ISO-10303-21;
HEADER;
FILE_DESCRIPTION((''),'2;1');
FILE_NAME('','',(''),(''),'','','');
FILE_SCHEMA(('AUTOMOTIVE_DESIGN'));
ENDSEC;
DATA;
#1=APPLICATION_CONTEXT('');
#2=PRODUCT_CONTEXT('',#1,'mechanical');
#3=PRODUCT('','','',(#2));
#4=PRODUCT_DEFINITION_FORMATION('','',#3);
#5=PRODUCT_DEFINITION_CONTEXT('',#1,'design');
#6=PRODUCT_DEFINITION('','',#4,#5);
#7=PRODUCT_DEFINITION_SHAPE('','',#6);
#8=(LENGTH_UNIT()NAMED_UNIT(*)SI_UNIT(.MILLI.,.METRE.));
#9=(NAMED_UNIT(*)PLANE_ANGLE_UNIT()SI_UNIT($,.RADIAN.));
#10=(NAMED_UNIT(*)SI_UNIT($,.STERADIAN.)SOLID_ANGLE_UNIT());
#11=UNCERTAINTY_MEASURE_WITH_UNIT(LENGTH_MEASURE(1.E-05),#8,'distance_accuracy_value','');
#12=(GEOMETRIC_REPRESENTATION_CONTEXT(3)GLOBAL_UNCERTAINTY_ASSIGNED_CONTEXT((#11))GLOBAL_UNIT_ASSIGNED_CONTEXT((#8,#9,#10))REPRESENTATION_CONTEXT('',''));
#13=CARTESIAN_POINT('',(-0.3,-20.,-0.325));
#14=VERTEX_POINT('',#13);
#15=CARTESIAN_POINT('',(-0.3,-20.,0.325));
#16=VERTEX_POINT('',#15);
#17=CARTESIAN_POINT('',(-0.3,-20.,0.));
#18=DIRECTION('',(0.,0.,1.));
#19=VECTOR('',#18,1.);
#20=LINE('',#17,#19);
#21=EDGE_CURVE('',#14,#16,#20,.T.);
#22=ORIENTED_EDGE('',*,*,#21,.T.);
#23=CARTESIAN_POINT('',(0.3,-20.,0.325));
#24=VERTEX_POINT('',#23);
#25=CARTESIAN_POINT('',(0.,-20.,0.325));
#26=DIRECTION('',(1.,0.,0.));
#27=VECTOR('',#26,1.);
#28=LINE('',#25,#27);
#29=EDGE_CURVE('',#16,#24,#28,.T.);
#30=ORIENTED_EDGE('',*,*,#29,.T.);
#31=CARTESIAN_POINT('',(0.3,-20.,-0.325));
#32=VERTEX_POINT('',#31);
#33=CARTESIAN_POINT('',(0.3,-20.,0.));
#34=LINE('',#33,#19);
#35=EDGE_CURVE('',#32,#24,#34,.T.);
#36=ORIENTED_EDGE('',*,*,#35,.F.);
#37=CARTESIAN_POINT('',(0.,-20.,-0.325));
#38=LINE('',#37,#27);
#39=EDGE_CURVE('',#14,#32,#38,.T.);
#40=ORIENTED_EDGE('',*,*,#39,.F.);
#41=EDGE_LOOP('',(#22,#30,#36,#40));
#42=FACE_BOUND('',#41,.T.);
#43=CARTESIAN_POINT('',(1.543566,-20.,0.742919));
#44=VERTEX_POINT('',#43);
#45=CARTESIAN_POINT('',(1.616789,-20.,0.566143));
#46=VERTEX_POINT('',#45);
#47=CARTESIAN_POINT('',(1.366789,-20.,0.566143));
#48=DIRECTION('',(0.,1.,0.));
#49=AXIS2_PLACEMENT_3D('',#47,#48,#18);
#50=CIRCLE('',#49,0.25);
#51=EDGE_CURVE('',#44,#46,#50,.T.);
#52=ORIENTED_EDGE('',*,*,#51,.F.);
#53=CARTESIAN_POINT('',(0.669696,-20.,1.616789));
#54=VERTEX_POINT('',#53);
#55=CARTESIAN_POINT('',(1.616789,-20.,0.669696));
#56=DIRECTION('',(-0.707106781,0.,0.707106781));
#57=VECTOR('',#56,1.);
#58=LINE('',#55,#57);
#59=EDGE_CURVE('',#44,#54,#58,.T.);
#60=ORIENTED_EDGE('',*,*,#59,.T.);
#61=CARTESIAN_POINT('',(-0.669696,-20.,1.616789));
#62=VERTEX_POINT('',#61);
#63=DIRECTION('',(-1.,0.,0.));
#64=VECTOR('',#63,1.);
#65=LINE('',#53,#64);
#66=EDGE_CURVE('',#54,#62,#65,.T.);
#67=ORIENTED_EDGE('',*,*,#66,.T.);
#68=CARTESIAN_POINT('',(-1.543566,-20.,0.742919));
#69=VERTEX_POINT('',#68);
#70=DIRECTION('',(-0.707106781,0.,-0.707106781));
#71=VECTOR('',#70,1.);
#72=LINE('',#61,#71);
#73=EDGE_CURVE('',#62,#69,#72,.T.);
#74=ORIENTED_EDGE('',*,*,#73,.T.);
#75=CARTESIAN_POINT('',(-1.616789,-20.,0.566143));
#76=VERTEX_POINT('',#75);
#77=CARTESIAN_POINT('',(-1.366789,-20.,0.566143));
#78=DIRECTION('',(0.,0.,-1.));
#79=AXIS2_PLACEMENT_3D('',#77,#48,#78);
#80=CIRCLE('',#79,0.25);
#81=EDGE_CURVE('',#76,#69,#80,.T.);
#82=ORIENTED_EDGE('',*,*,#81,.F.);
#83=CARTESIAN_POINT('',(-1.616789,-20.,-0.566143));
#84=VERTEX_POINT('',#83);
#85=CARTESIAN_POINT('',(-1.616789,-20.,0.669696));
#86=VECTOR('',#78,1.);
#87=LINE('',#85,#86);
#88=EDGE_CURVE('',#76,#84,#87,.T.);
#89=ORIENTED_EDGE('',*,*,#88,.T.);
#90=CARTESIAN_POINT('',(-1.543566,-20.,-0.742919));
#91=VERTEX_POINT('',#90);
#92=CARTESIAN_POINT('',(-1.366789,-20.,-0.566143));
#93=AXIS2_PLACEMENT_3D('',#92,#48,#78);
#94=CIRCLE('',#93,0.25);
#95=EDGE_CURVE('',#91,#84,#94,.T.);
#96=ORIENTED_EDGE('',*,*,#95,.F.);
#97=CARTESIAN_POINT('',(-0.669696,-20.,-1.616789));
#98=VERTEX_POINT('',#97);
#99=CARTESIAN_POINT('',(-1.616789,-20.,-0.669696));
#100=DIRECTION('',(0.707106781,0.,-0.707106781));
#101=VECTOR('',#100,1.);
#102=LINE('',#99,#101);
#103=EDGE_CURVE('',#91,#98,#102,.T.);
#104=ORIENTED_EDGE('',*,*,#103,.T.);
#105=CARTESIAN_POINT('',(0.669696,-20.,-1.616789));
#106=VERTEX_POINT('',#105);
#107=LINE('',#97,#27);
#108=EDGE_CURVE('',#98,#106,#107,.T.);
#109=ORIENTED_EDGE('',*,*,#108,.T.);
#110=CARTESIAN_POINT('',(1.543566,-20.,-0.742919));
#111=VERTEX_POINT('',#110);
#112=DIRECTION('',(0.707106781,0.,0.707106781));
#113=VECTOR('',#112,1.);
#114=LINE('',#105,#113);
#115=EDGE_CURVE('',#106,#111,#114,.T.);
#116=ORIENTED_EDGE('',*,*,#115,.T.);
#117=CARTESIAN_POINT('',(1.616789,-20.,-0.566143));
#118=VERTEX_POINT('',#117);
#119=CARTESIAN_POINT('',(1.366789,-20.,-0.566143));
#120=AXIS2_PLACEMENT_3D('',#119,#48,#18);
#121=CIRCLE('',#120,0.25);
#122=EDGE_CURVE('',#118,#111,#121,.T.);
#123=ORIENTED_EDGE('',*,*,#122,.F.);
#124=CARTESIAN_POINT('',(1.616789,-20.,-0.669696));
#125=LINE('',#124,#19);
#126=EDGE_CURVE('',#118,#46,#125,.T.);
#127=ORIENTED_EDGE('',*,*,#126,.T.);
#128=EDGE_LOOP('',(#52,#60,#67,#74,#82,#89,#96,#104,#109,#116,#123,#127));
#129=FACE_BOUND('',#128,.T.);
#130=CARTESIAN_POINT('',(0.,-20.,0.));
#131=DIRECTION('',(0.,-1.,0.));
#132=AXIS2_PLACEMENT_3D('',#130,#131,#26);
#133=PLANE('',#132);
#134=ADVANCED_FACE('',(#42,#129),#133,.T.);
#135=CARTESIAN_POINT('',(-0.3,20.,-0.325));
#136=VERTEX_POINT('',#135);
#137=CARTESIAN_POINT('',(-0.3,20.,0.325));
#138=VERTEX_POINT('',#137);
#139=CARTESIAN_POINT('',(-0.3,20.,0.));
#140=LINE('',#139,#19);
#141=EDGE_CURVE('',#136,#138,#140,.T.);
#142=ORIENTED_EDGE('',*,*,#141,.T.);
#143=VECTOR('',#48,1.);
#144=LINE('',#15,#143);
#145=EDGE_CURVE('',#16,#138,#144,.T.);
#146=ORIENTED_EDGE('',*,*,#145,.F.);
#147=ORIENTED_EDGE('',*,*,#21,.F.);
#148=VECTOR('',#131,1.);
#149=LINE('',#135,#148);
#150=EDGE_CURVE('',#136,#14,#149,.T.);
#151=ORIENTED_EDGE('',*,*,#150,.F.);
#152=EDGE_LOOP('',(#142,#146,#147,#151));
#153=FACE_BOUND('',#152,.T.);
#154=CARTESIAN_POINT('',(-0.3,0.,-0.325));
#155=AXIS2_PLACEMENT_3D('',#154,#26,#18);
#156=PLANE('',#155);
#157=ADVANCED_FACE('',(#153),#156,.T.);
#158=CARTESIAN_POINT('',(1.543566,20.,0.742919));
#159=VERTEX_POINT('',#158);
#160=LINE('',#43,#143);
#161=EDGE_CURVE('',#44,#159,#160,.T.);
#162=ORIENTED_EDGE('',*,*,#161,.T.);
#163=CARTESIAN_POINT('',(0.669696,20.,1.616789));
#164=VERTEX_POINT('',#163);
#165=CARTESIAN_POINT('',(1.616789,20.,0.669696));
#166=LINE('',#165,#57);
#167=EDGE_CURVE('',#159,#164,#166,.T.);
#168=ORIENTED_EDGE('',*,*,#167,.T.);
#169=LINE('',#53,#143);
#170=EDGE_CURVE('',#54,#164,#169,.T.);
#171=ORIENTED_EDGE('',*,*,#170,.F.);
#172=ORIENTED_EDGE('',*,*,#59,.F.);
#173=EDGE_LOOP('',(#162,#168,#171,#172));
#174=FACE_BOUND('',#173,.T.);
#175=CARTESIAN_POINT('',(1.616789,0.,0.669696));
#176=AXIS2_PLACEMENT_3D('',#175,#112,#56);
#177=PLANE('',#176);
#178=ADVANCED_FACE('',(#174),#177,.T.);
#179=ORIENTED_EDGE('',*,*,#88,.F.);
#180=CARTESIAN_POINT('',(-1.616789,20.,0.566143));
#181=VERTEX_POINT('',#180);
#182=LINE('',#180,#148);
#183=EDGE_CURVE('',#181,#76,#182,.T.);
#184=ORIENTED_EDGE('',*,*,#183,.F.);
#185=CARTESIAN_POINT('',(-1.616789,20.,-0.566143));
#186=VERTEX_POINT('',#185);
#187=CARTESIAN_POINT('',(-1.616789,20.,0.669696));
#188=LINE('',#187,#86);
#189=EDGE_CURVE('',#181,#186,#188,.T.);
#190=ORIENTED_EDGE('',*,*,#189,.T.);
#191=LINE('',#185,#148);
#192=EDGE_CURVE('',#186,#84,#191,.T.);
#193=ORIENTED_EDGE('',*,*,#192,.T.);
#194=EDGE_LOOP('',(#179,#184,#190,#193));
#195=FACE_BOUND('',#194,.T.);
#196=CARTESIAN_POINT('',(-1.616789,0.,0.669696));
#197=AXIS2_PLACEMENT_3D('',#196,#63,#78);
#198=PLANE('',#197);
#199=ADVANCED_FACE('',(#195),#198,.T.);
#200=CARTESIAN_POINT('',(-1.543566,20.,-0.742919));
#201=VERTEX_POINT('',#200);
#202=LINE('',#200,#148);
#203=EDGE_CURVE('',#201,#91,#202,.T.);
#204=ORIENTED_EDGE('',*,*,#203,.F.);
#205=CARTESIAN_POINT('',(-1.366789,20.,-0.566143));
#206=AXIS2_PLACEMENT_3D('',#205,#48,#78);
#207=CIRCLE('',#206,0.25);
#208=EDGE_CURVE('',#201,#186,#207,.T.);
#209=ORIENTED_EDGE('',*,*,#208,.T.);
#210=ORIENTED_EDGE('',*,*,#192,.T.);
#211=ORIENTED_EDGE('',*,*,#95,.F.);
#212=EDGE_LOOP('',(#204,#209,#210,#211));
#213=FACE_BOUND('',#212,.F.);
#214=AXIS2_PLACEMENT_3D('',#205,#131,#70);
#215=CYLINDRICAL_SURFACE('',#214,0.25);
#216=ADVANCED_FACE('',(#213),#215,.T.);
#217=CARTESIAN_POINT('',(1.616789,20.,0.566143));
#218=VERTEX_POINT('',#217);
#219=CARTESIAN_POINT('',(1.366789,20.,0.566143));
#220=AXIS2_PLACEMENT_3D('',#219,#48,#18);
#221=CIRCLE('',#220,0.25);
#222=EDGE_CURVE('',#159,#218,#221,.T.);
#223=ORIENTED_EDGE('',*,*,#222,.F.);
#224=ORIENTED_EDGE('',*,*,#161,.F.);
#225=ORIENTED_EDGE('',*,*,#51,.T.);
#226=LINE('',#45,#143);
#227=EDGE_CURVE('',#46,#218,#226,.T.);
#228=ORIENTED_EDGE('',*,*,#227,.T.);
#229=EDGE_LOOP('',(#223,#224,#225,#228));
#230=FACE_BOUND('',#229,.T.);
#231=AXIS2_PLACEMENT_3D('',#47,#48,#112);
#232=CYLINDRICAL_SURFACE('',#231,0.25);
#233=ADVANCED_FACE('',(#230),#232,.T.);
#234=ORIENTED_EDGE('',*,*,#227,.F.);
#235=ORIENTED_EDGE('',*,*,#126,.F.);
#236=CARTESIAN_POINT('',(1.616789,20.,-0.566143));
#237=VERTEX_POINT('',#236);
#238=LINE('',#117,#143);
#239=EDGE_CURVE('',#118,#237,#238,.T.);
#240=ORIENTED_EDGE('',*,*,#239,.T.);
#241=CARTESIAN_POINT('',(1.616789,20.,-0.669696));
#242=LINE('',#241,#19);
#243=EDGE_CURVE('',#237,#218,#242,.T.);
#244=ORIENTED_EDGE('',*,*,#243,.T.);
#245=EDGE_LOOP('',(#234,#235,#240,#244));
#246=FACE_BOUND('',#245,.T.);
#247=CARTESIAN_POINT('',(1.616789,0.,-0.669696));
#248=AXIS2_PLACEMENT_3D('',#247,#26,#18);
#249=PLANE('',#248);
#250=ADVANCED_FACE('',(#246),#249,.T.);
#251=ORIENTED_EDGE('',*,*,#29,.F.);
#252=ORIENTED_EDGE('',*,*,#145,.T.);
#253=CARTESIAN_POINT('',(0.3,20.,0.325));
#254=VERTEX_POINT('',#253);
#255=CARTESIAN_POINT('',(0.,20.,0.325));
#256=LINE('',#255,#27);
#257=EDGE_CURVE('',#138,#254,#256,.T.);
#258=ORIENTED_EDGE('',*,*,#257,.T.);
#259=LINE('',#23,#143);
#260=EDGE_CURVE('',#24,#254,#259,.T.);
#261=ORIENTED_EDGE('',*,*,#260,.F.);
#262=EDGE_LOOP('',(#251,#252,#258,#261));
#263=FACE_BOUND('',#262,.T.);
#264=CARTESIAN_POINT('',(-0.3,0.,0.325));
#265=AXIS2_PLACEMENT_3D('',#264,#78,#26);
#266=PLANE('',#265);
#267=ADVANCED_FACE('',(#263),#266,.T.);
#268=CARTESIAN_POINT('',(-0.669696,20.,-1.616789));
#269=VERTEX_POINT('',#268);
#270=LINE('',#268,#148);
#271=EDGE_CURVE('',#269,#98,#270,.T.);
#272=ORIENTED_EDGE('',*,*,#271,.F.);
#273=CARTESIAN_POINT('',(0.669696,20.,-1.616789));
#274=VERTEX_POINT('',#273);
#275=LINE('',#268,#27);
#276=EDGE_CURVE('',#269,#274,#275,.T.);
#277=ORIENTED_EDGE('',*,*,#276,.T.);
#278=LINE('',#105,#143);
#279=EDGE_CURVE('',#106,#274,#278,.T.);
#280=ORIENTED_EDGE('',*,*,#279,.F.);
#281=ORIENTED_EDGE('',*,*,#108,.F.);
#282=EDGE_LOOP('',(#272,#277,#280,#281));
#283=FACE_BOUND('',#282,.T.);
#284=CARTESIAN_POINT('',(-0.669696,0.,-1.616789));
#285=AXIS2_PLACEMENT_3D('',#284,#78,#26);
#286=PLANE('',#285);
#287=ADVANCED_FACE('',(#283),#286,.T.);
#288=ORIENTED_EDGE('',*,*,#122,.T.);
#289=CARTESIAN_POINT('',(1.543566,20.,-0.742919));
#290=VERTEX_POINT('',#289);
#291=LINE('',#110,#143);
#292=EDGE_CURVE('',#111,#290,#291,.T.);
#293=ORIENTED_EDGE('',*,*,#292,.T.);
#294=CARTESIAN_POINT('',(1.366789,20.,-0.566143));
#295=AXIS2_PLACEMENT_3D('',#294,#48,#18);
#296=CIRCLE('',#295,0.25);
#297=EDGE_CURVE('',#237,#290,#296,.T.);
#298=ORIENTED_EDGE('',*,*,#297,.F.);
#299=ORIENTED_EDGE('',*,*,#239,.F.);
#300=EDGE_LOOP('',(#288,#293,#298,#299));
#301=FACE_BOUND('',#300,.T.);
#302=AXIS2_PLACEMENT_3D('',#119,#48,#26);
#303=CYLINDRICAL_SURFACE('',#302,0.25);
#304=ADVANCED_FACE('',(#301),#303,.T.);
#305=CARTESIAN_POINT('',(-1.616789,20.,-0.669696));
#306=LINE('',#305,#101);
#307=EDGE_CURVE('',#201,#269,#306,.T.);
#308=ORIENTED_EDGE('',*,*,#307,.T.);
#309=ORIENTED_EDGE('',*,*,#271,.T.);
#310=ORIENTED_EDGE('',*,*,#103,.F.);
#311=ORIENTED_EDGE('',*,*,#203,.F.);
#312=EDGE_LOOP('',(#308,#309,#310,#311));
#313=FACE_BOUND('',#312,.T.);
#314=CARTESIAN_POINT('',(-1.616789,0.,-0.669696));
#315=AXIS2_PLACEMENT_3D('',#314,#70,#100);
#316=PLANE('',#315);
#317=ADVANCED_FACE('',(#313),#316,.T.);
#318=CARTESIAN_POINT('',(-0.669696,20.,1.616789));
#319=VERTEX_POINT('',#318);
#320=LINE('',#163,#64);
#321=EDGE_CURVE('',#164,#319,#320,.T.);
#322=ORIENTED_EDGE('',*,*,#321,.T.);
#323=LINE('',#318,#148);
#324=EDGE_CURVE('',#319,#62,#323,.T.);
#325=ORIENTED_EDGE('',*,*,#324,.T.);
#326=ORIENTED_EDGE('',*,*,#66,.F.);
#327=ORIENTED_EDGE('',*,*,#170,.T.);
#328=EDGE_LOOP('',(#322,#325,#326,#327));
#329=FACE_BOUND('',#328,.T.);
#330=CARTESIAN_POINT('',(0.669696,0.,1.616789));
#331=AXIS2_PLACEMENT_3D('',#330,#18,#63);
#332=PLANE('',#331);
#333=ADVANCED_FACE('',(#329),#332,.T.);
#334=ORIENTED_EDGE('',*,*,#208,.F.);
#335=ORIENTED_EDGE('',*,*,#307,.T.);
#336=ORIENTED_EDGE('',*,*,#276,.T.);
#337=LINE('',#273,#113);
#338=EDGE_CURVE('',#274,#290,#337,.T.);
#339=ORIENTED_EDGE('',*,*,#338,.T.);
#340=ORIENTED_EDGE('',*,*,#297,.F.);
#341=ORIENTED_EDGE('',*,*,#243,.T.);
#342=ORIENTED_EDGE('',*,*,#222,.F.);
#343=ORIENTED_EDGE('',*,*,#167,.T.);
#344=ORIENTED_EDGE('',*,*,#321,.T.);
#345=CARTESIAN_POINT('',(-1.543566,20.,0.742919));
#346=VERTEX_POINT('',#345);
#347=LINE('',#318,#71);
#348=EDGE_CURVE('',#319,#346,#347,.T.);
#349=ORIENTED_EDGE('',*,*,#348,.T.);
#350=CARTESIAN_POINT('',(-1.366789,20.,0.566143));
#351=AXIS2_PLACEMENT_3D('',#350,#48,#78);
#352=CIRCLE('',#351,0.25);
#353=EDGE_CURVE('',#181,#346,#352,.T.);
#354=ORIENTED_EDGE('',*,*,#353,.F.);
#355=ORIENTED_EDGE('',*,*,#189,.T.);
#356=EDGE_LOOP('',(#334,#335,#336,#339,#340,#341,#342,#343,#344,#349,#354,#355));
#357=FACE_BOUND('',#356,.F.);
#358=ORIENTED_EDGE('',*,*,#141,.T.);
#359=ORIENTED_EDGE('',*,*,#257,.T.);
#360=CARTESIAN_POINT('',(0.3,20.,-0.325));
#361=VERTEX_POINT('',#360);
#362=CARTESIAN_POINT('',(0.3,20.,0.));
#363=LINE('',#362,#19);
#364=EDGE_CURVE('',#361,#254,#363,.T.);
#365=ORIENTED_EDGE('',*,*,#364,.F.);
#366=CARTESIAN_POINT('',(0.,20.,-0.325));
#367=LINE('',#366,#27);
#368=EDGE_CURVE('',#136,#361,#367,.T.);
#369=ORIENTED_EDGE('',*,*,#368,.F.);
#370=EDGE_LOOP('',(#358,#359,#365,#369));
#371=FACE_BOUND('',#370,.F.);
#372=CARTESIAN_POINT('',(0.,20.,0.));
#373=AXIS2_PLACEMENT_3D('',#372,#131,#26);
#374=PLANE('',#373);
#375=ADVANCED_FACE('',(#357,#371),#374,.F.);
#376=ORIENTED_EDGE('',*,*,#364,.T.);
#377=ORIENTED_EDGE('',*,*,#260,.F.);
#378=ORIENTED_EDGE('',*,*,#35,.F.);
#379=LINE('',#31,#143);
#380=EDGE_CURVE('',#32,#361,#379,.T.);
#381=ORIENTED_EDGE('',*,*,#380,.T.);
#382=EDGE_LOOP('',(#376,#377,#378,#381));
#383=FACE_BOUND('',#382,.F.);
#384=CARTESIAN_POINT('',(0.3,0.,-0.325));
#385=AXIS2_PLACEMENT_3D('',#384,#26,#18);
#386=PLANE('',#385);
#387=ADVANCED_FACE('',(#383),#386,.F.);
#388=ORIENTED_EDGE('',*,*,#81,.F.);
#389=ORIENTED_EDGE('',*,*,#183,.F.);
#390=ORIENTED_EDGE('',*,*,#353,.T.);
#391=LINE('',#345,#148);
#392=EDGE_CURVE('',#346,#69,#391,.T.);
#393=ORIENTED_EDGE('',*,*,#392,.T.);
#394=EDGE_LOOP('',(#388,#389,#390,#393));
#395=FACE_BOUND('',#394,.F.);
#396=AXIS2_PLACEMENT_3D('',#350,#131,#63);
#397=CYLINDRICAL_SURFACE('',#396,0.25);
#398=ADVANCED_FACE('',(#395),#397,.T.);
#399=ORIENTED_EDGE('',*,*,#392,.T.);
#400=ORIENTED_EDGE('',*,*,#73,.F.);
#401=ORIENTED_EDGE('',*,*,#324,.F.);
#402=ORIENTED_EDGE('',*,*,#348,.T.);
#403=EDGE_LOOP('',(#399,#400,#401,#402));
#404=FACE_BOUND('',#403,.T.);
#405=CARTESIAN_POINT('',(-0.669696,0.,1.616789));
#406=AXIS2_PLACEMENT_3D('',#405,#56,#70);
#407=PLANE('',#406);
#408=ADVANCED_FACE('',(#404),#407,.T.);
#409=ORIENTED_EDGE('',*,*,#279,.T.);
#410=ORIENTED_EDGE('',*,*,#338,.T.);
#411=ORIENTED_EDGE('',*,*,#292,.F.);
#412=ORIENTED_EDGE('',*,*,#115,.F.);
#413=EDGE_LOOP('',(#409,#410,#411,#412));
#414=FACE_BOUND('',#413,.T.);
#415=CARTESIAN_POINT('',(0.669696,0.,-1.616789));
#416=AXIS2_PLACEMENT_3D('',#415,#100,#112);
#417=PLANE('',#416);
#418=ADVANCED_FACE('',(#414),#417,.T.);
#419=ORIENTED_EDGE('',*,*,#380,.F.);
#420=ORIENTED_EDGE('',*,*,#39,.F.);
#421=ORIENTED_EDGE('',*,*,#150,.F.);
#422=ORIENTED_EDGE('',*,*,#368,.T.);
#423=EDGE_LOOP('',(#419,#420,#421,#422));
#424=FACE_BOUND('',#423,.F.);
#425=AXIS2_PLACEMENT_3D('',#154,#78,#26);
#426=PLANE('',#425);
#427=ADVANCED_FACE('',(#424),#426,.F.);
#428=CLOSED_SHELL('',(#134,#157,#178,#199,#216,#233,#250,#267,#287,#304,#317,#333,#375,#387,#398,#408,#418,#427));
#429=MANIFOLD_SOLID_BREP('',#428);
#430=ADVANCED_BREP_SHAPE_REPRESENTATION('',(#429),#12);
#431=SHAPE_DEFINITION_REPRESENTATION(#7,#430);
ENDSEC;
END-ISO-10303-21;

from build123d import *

# Parameters (mm, degrees)
SKETCH_W  = 0.6
SKETCH_H  = 0.65
PAD_DEPTH = 20
FILLET_R  = 0.25


with BuildPart() as part:
    # Sketch → Pad (new body, symmetric)
    with BuildSketch(Plane.XZ):
        Polygon((0.669696, 1.616789), (-0.669696, 1.616789), (-1.616789, 0.669696), (-1.616789, -0.669696), (-0.669696, -1.616789), (0.669696, -1.616789), (1.616789, -0.669696), (1.616789, 0.669696), align=None)
        Rectangle(SKETCH_W, SKETCH_H, mode=Mode.SUBTRACT)
    extrude(amount=PAD_DEPTH, both=True)

    # Fillet
    fillet_edges = [part.edges().sort_by_distance(p)[0] for p in [
        (-1.616789, 0, 0.669696),
        (-1.616789, 0, -0.669696),
        (1.616789, 0, 0.669696),
        (1.616789, 0, -0.669696),
    ]]
    fillet(fillet_edges, radius=FILLET_R)


solid = part.part
